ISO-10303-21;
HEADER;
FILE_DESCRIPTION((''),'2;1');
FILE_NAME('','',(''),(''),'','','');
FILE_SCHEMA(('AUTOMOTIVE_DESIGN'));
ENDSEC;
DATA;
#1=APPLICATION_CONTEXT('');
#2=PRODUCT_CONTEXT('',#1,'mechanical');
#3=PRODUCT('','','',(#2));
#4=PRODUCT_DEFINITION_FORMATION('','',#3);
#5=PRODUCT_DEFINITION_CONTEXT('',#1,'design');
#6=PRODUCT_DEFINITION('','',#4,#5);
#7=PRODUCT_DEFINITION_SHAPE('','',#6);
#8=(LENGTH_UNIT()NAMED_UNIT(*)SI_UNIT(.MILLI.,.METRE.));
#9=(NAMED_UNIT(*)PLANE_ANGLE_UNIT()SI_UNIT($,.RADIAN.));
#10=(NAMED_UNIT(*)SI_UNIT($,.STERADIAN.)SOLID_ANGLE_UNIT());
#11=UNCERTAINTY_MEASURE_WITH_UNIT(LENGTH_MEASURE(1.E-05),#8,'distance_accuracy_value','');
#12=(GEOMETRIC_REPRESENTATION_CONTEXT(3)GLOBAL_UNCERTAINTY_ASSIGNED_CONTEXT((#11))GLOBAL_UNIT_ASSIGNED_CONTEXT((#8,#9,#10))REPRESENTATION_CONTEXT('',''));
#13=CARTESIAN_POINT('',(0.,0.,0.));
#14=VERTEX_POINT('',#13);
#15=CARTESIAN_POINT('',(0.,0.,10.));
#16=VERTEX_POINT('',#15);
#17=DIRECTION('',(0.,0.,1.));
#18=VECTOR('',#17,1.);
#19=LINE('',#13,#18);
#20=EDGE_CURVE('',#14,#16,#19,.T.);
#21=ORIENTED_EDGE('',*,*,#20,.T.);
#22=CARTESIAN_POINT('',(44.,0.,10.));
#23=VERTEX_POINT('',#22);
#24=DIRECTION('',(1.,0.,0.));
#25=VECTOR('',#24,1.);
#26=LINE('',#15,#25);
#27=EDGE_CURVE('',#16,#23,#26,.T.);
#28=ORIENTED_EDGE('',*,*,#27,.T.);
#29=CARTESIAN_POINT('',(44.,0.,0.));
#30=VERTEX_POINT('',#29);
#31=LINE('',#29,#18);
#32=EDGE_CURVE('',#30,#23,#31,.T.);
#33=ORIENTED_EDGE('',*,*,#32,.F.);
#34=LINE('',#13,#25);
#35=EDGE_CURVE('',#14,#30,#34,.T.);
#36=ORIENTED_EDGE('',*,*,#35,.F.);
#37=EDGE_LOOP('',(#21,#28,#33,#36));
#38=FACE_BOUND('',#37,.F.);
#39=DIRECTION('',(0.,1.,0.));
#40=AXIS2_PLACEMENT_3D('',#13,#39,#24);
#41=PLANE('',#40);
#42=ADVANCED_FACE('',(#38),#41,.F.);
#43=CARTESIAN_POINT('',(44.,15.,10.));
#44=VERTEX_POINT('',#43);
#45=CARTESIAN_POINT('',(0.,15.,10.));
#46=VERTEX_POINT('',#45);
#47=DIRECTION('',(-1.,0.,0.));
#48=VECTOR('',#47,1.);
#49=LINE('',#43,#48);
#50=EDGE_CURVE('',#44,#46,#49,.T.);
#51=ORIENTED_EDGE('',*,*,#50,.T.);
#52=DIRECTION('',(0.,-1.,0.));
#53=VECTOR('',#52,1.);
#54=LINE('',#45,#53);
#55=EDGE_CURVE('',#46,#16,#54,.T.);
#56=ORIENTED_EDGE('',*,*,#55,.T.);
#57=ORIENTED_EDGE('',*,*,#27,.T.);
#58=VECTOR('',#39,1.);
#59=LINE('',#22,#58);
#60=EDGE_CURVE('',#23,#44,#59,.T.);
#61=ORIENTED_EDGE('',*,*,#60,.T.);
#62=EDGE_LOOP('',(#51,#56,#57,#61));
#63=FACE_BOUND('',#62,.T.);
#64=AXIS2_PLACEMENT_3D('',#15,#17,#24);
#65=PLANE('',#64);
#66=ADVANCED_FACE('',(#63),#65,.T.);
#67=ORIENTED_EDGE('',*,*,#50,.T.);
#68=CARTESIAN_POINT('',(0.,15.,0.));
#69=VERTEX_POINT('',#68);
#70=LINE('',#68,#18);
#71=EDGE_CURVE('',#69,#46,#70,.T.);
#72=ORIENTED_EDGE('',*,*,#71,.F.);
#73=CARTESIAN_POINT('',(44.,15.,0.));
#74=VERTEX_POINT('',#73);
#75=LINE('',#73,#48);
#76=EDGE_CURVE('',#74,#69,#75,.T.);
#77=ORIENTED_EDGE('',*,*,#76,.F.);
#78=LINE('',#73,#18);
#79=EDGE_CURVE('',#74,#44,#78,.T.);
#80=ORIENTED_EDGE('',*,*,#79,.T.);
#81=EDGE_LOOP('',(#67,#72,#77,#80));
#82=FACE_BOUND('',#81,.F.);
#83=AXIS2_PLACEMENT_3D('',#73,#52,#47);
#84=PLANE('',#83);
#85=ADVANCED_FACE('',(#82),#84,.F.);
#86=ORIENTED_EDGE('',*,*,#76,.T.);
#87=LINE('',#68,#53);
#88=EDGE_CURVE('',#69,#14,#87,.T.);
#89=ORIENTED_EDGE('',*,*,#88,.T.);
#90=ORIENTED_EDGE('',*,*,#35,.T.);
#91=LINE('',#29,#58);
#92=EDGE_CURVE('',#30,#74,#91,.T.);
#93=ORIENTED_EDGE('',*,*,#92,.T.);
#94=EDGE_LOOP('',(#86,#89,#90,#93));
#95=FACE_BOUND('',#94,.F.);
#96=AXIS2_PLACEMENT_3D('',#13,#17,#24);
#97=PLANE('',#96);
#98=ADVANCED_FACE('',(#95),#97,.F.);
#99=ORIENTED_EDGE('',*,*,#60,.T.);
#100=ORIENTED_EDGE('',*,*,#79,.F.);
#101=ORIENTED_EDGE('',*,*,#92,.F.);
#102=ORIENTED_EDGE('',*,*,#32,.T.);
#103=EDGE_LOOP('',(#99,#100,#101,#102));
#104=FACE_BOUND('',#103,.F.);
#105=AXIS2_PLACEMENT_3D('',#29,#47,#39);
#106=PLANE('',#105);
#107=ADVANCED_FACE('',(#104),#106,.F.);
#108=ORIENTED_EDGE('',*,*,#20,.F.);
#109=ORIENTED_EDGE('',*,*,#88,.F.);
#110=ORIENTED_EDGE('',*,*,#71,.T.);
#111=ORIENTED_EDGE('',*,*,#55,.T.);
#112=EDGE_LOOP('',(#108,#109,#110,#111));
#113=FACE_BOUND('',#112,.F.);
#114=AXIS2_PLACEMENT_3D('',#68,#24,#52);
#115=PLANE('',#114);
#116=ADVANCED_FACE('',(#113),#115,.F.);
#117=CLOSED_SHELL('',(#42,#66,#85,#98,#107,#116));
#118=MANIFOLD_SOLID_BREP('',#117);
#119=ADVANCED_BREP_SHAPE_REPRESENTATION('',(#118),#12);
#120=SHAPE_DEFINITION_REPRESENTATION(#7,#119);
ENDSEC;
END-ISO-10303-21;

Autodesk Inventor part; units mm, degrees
ref_plane "YZ Plane" through (0, 0, 0) normal (1, 0, 0) x (0, 1, 0)
ref_plane "XZ Plane" through (0, 0, 0) normal (0, 1, 0) x (-1, 0, 0)
ref_plane "XY Plane" through (0, 0, 0) normal (0, 0, 1) x (1, 0, 0)
sketch "Sketch1" plane through (0, 0, 0) normal (0, 0, 1) x (1, 0, 0)
  line L0 (0, 0) -> (44, 0)
  line L1 (44, 0) -> (44, 15)
  line L2 (44, 15) -> (0, 15)
  line L3 (0, 15) -> (0, 0)
  dimension "d0" = 44
  dimension "d1" = 15
extrude "Extrusion1" add sketch "Sketch1" along normal blind 10
properties part number "geluid sensor" material "Gold"
